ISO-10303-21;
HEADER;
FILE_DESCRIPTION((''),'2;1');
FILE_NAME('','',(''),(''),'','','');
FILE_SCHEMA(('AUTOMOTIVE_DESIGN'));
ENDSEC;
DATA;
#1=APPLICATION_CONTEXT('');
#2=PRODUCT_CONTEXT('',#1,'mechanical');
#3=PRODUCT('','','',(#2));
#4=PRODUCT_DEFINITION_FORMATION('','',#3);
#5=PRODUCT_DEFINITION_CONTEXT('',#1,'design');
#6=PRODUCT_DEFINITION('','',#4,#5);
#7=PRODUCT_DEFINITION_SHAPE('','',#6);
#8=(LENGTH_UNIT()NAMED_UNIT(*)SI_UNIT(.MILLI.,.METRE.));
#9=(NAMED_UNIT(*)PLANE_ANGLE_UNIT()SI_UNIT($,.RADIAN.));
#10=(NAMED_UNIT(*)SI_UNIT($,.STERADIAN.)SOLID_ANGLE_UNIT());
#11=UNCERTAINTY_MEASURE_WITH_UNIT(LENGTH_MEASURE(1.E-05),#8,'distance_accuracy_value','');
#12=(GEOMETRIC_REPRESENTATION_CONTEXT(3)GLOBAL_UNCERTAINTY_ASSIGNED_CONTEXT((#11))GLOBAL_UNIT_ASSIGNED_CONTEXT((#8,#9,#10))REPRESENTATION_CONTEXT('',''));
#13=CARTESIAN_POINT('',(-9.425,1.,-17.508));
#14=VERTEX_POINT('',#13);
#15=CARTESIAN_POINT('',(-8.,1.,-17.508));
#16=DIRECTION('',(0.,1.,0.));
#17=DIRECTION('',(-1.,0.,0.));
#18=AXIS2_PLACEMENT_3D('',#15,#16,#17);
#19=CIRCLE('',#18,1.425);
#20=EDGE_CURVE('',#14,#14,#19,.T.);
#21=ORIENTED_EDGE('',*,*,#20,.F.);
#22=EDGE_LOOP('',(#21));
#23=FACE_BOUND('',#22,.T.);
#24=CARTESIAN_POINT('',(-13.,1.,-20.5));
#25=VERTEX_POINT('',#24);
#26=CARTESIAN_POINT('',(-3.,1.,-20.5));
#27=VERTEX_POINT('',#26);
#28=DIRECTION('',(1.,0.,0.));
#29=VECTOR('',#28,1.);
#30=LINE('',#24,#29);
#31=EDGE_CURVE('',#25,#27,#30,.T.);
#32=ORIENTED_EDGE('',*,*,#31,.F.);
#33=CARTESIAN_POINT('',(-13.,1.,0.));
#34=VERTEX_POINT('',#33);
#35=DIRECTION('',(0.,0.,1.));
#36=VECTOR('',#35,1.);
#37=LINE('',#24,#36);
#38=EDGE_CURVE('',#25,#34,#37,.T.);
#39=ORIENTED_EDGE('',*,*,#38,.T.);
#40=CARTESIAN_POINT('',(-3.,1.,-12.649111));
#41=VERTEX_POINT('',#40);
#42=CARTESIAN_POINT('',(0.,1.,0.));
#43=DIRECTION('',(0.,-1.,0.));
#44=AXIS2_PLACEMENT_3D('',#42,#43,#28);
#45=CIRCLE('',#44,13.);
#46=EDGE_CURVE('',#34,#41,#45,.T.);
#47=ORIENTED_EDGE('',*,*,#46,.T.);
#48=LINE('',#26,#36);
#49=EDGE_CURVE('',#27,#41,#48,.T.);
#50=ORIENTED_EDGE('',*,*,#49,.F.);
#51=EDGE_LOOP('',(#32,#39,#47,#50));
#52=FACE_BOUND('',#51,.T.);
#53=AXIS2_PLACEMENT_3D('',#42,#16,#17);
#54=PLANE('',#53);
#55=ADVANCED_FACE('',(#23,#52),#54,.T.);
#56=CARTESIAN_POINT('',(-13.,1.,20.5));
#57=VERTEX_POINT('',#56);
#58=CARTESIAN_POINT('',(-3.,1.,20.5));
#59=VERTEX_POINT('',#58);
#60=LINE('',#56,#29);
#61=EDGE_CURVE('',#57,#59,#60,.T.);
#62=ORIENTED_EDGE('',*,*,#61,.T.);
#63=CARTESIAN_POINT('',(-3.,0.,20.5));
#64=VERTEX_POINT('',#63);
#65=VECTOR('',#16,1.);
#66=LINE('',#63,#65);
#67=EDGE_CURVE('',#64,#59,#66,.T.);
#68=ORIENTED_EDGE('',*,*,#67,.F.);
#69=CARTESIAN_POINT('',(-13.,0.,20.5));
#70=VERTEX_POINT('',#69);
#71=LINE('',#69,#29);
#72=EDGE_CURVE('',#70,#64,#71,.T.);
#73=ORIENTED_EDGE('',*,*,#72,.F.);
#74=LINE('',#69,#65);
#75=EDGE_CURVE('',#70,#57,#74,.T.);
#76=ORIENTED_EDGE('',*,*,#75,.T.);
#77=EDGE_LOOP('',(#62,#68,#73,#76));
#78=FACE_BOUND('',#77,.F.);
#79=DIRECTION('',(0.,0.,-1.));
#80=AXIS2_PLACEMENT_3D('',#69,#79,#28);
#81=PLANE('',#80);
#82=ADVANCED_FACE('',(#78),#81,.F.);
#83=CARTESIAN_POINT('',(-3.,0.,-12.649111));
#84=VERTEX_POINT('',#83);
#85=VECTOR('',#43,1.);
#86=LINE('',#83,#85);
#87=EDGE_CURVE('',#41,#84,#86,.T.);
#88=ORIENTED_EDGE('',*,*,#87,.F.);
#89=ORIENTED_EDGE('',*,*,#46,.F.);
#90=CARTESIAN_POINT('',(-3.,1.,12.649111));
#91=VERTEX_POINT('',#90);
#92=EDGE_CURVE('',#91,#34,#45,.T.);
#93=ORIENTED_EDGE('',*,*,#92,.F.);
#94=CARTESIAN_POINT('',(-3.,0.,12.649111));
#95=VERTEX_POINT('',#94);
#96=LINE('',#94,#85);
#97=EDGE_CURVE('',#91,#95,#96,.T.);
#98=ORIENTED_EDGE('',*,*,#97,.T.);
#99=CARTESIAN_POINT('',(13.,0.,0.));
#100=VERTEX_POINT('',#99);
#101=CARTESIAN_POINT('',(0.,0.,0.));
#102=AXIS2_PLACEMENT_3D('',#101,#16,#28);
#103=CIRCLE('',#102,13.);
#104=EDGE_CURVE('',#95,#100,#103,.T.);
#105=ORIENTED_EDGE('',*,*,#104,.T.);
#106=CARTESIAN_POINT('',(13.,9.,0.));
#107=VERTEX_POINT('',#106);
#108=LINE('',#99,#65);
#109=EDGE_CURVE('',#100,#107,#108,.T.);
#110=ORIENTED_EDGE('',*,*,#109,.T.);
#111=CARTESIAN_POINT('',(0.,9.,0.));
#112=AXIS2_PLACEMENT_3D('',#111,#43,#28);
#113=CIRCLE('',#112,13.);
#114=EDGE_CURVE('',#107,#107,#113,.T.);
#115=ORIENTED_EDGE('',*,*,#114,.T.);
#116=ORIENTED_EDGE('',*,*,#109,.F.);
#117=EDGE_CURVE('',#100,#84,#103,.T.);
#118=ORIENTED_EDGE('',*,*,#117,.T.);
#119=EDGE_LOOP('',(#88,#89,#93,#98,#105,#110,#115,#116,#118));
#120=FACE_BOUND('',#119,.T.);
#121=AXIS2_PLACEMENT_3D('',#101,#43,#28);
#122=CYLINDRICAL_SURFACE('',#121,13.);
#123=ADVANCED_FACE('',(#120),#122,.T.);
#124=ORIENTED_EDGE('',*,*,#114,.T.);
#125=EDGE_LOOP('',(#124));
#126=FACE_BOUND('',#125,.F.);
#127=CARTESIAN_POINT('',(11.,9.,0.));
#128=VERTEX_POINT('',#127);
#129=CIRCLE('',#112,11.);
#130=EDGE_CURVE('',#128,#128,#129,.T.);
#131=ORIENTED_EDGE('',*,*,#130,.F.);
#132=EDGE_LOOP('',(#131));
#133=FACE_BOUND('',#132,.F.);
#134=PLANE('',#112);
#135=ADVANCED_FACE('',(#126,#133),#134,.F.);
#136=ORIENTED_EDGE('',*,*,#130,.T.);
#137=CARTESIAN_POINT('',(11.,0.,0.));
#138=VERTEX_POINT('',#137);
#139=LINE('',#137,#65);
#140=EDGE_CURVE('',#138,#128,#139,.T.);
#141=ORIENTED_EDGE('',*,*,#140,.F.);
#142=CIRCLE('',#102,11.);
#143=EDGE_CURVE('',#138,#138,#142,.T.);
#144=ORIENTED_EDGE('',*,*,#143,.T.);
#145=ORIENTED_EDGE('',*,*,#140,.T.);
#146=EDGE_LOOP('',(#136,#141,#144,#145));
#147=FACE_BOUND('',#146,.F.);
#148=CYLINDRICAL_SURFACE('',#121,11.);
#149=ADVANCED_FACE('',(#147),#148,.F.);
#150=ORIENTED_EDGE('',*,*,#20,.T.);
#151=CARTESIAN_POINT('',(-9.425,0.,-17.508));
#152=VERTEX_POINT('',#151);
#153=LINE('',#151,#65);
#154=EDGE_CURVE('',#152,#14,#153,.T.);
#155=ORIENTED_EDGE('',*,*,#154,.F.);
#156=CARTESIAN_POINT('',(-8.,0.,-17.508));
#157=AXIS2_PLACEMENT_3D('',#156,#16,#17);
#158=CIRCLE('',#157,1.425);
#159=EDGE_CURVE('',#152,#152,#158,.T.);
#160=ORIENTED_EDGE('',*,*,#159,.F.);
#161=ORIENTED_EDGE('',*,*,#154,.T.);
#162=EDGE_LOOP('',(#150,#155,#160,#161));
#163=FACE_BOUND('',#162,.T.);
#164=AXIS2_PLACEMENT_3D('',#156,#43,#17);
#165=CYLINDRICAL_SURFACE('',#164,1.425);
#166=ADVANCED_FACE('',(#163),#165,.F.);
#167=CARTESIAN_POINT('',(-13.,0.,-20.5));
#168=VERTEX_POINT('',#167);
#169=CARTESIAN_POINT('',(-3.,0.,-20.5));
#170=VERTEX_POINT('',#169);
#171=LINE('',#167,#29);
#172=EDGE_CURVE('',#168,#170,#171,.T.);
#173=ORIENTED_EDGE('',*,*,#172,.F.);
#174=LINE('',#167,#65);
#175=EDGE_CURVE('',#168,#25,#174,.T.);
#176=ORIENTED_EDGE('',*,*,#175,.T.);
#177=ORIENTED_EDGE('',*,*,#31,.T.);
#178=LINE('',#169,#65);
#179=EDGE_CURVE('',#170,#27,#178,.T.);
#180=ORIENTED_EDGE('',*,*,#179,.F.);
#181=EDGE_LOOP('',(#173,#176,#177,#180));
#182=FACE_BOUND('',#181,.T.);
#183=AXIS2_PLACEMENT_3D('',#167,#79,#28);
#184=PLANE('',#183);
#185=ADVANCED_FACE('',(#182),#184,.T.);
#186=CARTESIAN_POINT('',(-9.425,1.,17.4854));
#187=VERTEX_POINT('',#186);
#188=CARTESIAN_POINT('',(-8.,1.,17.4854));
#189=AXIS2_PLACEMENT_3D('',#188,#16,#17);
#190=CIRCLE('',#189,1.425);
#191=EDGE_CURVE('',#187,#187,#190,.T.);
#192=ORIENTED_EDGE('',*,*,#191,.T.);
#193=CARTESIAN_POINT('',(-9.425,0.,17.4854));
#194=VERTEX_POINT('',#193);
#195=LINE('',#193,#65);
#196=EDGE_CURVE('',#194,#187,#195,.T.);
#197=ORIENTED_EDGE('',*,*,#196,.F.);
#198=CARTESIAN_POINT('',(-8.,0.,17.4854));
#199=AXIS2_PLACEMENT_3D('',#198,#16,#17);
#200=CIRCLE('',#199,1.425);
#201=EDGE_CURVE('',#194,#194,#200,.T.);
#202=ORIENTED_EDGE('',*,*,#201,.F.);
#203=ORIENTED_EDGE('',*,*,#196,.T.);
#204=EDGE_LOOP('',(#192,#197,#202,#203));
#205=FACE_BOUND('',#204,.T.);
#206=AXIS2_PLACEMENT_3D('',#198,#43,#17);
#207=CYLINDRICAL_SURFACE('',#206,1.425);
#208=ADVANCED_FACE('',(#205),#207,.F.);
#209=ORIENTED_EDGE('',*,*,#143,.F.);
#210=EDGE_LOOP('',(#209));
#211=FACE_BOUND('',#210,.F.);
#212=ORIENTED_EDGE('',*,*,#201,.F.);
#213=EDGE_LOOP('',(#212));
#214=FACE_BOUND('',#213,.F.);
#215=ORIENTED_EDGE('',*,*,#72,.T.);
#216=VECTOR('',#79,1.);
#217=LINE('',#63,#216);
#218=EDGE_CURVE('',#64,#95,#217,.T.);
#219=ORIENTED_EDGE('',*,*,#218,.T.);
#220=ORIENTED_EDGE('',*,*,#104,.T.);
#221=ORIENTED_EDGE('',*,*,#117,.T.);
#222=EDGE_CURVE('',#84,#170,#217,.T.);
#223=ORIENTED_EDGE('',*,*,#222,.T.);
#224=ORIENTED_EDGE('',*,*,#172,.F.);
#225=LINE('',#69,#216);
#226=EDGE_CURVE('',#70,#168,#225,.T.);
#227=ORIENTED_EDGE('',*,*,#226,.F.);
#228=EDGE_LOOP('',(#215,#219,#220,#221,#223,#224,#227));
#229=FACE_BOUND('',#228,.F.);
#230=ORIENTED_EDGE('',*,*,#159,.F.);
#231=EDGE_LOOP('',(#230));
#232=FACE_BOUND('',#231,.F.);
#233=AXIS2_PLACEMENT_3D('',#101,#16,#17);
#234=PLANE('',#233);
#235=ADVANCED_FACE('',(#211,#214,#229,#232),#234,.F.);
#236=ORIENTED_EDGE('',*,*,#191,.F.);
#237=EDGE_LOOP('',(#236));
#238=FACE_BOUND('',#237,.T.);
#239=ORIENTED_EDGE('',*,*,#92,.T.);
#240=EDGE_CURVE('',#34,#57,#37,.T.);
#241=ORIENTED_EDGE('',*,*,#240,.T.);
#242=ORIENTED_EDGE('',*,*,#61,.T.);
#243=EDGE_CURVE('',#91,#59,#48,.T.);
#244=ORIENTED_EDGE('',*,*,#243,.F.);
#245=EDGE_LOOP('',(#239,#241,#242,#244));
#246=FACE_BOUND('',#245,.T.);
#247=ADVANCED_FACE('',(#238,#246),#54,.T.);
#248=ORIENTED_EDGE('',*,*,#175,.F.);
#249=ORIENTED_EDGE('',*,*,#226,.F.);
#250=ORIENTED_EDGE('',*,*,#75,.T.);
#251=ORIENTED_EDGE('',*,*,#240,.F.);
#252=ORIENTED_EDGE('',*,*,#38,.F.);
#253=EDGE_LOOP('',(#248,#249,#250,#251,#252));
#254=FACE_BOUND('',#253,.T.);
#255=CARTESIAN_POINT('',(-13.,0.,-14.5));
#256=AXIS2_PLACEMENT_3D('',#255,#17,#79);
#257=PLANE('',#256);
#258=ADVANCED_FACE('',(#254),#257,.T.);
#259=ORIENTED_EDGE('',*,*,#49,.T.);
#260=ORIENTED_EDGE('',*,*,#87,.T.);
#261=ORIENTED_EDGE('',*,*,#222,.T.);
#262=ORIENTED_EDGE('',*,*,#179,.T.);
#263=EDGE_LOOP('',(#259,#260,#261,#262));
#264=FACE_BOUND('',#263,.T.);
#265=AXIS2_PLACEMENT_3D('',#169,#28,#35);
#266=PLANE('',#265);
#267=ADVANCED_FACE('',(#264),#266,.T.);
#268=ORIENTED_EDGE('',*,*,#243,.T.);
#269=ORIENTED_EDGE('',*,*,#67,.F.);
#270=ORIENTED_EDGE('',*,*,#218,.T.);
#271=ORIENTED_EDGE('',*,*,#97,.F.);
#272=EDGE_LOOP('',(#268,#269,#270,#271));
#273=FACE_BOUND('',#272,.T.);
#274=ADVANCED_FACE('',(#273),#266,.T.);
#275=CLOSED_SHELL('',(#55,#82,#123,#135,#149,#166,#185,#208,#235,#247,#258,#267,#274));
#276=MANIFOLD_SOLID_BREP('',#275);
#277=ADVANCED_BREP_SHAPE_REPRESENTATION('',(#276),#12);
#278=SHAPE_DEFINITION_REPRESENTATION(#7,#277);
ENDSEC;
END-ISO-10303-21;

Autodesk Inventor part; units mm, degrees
ref_plane "YZ Plane" through (0, 0, 0) normal (1, 0, 0) x (0, 1, 0)
ref_plane "XZ Plane" through (0, 0, 0) normal (0, 1, 0) x (-1, 0, 0)
ref_plane "XY Plane" through (0, 0, 0) normal (0, 0, 1) x (1, 0, 0)
sketch "Sketch3" plane through (0, 0, 0) normal (0, 1, 0) x (-1, 0, 0)
  line L0 (3, -20.5) -> (3, -14.5)
  line L1 (13, 20.5) -> (3, 20.5)
  line L2 (3, -20.5) -> (3, 20.5)
  line L3 (3, 20.5) -> (13, 20.5)
  line L4 (13, 20.5) -> (13, -20.5)
  line L5 (13, -20.5) -> (3, -20.5)
  line L6 (0, 0) -> (3, 0)
  line L7 (13, 14.5) -> (3, 14.5)
  line L8 (3, -14.5) -> (13, -14.5)
  line L9 (3, -14.5) -> (13, -14.5)
  line L10 (3, 14.5) -> (13, 14.5)
  circle A0 centre (8, -17.508) radius 1.425
  circle A1 centre (8, -17.508) radius 1.425
  circle A2 centre (8, 17.4854) radius 1.425
  circle A3 centre (8, 17.4854) radius 1.425
  point P0 (3, 20.5)
  dimension "d15" = 41
  dimension "d16" = 10
  dimension "d17" = 0
  dimension "d18" = 6
extrude "Extrusion1" add sketch "Sketch3" along normal blind 1
sketch "Sketch5" plane through (0, 0, 0) normal (0, -1, 0) x (1, 0, 0)
  line L0 (-3, 20.5) -> (-3, 14.5)
  line L1 (-13, -20.5) -> (-3, -20.5)
  line L2 (-3, 20.5) -> (-3, -20.5)
  line L3 (-3, -20.5) -> (-13, -20.5)
  line L4 (-13, -20.5) -> (-13, 20.5)
  line L5 (-13, 20.5) -> (-3, 20.5)
  line L6 (0, 0) -> (-3, 0)
  line L7 (-13, -14.5) -> (-3, -14.5)
  line L8 (-3, 14.5) -> (-13, 14.5)
  line L9 (-3, 14.5) -> (-13, 14.5)
  line L10 (-3, -14.5) -> (-13, -14.5)
  circle A0 centre (-8, 17.508) radius 1.425
  circle A1 centre (-8, 17.508) radius 1.425
  circle A2 centre (-8, -17.4854) radius 1.425
  circle A3 centre (-8, -17.4854) radius 1.425
  circle A4 centre (0, 0) radius 11
  circle A5 centre (0, 0) radius 13
  point P0 (3, 20.5)
  point P1 (3, -14.5)
  point P2 (-3, 12.6491)
  point P3 (-3, 10.583)
  point P4 (-3, -10.583)
  point P5 (-3, -12.6491)
  dimension "d27" = 41
  dimension "d28" = 10
  dimension "d29" = 0
  dimension "d30" = 6
  dimension "d31" = 22
  dimension "d32" = 26
extrude "Extrusion2" add sketch "Sketch5" against normal blind 9 contours A5 L2 A4 | L2 A4 A5
sketch "Sketch6" plane through (0, 9, 0) normal (0, 1, 0) x (1, 0, 0)
  circle A0 centre (0, 0) radius 11
extrude "Extrusion3" cut sketch "Sketch6" against normal through all
properties part number "Ball_Bearing_Holder"
